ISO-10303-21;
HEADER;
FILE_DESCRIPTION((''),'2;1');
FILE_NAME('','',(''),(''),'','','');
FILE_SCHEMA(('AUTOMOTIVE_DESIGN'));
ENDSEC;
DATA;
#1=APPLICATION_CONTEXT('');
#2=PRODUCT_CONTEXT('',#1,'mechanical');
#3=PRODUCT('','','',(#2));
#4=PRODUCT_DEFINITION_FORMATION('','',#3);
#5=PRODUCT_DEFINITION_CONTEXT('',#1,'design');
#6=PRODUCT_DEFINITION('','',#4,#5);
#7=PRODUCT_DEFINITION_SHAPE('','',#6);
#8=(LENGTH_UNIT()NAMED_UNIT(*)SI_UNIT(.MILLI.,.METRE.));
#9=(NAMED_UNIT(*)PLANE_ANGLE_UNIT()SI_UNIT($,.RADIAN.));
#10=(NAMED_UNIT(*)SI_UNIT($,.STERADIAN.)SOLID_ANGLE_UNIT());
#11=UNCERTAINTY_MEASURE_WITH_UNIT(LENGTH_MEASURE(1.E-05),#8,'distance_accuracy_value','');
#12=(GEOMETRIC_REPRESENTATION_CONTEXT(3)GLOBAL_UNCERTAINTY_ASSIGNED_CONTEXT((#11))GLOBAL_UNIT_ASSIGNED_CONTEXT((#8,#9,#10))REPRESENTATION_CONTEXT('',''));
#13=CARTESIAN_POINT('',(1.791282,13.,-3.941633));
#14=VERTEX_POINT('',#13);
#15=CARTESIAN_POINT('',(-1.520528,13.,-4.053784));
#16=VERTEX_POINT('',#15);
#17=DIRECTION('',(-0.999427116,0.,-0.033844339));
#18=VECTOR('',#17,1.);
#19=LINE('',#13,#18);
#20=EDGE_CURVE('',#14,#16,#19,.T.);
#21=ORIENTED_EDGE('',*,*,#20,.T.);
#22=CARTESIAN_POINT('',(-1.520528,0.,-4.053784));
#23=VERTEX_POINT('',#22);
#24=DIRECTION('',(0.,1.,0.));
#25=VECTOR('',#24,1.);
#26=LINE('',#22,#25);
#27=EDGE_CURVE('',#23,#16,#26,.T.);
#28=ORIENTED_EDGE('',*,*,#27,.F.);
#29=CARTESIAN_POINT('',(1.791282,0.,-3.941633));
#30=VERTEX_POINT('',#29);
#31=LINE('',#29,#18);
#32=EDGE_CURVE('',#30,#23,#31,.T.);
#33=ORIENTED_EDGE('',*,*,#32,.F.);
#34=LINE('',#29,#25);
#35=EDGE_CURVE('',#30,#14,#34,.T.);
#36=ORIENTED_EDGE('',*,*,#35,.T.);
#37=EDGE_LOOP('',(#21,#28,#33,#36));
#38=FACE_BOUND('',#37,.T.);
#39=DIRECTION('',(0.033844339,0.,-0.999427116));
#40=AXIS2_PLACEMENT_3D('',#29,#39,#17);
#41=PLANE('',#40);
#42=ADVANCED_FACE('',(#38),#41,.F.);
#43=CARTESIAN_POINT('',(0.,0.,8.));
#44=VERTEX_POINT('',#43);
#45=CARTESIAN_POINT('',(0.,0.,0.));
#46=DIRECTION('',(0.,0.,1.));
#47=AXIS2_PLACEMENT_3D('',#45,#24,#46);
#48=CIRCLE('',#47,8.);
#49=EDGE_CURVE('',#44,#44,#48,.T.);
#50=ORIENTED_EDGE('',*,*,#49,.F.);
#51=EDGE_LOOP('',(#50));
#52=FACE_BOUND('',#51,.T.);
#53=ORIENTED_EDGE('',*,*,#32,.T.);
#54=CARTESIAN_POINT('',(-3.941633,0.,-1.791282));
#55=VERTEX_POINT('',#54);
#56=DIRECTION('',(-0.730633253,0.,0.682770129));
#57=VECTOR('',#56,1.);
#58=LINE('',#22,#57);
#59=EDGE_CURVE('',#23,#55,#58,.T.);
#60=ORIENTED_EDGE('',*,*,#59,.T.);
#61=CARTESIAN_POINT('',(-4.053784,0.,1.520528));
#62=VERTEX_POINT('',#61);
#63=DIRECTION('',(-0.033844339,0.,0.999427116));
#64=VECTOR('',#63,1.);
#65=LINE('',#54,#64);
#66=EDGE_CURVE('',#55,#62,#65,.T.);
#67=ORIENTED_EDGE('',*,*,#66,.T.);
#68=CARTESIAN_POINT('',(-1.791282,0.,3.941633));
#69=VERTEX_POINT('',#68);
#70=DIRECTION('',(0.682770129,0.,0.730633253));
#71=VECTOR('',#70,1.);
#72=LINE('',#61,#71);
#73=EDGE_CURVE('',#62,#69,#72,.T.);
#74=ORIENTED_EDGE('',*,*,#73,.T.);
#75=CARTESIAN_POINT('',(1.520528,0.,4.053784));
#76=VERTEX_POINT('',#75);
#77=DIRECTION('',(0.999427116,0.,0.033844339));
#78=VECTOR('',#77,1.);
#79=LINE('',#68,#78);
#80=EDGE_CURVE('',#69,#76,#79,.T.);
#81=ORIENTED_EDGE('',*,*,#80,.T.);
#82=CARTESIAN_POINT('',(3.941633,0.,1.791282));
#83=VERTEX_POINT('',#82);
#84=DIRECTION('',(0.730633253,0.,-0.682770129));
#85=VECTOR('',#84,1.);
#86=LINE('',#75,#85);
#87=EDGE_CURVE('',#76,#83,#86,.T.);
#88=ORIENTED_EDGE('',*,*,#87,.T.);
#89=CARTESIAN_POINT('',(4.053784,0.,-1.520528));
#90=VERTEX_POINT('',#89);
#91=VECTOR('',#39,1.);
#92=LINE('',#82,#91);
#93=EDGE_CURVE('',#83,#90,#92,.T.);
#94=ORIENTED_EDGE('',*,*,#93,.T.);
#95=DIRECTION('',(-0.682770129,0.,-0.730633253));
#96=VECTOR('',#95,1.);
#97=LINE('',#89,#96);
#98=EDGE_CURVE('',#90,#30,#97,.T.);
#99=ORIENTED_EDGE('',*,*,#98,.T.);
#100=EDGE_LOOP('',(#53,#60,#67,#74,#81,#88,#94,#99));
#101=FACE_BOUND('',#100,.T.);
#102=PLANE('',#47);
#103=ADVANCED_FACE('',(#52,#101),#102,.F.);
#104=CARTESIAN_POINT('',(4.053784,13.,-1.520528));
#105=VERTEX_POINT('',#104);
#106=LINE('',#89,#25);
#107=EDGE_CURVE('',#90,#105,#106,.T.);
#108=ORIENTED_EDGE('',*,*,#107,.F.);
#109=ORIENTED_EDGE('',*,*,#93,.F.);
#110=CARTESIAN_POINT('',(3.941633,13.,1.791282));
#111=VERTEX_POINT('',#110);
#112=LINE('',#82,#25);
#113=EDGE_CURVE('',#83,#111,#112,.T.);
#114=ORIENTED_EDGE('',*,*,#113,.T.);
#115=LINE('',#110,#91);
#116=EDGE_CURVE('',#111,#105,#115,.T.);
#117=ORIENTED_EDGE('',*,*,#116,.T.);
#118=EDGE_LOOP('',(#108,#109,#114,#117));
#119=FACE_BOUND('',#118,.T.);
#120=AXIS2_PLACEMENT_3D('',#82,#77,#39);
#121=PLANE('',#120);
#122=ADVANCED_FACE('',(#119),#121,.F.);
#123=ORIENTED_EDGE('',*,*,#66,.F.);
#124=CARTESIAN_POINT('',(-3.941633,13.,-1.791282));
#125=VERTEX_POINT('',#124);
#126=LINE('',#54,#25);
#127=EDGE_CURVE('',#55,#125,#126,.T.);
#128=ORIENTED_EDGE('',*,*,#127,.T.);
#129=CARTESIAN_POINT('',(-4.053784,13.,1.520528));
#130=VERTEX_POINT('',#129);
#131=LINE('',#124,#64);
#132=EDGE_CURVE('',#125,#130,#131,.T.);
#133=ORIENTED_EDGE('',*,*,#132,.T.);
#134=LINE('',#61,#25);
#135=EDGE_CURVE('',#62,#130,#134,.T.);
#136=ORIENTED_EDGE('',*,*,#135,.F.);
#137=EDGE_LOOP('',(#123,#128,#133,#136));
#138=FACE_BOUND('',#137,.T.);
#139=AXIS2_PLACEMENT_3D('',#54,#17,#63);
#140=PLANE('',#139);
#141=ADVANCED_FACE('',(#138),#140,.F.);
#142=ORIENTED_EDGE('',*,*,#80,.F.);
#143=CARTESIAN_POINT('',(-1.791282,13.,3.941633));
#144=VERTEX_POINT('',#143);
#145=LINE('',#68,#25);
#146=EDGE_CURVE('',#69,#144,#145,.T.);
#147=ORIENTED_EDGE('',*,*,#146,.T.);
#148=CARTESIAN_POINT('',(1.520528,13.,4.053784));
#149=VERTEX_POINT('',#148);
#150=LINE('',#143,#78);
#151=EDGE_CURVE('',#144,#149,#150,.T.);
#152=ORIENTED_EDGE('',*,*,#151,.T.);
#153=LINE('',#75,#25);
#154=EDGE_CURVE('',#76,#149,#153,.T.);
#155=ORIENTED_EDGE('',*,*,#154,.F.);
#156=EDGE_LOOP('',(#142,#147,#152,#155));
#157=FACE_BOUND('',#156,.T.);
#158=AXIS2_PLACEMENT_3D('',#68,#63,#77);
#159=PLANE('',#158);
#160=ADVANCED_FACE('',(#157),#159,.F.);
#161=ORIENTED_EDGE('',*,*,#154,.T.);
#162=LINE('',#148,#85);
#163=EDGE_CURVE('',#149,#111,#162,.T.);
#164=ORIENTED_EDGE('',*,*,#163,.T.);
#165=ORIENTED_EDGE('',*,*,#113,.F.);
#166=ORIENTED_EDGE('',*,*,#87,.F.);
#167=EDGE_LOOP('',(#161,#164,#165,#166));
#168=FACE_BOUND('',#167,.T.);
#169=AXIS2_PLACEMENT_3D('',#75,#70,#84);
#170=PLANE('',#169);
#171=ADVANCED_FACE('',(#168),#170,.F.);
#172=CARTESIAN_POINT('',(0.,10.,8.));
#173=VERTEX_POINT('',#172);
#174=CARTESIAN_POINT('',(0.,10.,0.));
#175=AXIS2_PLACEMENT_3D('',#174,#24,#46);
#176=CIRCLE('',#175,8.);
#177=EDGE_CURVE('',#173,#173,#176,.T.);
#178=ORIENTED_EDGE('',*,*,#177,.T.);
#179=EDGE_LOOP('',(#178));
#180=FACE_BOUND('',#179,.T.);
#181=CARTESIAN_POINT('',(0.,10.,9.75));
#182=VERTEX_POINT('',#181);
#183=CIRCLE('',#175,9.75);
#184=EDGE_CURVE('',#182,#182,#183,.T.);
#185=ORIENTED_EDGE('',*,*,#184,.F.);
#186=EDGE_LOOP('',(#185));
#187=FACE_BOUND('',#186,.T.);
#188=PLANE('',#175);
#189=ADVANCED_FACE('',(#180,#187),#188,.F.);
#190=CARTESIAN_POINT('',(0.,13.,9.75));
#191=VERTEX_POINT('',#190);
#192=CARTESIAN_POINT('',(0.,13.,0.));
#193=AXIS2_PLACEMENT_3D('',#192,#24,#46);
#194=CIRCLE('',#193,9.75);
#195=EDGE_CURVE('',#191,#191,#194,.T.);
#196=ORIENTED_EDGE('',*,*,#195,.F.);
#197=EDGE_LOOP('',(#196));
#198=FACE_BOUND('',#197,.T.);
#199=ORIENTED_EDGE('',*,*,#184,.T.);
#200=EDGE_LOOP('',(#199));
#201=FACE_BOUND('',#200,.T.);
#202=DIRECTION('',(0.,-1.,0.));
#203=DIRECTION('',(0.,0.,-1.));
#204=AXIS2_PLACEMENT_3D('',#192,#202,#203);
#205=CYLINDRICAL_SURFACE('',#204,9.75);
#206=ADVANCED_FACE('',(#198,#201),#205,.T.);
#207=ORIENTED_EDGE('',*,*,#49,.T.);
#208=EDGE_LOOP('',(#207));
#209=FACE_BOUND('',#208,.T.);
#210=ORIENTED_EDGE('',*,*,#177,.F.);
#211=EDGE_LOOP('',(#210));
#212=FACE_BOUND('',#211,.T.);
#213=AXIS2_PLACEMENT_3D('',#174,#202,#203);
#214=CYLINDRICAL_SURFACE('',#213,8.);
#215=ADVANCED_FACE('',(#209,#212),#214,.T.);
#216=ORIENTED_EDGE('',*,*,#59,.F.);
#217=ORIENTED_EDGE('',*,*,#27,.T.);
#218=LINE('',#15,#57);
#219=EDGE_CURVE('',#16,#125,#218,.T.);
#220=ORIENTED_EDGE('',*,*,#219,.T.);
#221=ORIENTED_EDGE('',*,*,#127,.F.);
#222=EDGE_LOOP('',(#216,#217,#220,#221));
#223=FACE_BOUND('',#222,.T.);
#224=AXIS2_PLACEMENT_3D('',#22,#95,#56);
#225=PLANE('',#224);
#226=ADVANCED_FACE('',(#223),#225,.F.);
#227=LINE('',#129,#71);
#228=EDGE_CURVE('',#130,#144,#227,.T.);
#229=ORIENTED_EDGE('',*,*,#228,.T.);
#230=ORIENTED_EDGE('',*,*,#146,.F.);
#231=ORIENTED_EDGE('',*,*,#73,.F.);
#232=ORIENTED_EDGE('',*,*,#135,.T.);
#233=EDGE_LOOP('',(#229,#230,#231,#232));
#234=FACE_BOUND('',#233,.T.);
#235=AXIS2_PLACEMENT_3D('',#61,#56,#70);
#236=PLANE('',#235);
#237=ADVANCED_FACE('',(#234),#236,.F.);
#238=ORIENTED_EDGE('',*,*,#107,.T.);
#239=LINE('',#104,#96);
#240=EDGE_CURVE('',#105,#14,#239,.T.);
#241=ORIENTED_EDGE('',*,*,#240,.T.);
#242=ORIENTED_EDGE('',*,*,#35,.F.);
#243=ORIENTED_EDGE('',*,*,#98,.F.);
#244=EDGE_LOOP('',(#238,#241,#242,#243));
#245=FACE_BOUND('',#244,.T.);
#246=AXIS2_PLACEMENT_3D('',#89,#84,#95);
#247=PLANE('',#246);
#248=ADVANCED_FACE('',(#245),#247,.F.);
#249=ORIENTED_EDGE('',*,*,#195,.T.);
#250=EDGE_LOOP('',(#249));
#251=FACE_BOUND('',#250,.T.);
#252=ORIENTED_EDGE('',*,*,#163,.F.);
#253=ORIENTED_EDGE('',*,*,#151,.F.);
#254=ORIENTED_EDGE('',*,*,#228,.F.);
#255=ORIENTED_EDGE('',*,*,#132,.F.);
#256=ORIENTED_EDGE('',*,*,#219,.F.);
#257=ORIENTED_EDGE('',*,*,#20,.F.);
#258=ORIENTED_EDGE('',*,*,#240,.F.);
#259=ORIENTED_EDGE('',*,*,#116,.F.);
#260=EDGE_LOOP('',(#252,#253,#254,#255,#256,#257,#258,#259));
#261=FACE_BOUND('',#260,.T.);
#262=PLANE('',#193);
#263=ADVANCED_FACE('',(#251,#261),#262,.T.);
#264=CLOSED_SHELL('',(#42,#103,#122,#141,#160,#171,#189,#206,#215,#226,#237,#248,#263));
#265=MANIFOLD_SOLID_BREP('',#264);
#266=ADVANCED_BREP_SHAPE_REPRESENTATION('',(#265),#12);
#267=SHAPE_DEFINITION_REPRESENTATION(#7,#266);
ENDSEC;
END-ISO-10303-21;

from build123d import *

# Parameters (mm, degrees)
SKETCH1_R           = 8
BOSS_EXTRUDE1_DEPTH = 10
SKETCH2_R           = 9.75
BOSS_EXTRUDE2_DEPTH = 3
CUT_EXTRUDE1_DEPTH  = 14


with BuildPart() as part:
    # Sketch1 → Boss-Extrude1 (new body)
    with BuildSketch(Plane(origin=(0, 0, 0), x_dir=(1, 0, 0), z_dir=(0, 1, 0))):
        Circle(SKETCH1_R)
    extrude(amount=BOSS_EXTRUDE1_DEPTH)

    # Sketch2 → Boss-Extrude2 (add)
    with BuildSketch(Plane(origin=(0, 10, 0), x_dir=(1, 0, 0), z_dir=(0, 1, 0))):
        Circle(SKETCH2_R)
    extrude(amount=BOSS_EXTRUDE2_DEPTH)

    # Sketch3 → Cut-Extrude1 (cut, through all)
    with BuildSketch(Plane(origin=(0, 13, 0), x_dir=(1, 0, 0), z_dir=(0, 1, 0))):
        Polygon((3.941633327, -1.791282422), (4.053783603, 1.520527707), (1.791282422, 3.941633327), (-1.520527707, 4.053783603), (-3.941633327, 1.791282422), (-4.053783603, -1.520527707), (-1.791282422, -3.941633327), (1.520527707, -4.053783603), align=None)
    extrude(amount=-CUT_EXTRUDE1_DEPTH, mode=Mode.SUBTRACT)


solid = part.part
